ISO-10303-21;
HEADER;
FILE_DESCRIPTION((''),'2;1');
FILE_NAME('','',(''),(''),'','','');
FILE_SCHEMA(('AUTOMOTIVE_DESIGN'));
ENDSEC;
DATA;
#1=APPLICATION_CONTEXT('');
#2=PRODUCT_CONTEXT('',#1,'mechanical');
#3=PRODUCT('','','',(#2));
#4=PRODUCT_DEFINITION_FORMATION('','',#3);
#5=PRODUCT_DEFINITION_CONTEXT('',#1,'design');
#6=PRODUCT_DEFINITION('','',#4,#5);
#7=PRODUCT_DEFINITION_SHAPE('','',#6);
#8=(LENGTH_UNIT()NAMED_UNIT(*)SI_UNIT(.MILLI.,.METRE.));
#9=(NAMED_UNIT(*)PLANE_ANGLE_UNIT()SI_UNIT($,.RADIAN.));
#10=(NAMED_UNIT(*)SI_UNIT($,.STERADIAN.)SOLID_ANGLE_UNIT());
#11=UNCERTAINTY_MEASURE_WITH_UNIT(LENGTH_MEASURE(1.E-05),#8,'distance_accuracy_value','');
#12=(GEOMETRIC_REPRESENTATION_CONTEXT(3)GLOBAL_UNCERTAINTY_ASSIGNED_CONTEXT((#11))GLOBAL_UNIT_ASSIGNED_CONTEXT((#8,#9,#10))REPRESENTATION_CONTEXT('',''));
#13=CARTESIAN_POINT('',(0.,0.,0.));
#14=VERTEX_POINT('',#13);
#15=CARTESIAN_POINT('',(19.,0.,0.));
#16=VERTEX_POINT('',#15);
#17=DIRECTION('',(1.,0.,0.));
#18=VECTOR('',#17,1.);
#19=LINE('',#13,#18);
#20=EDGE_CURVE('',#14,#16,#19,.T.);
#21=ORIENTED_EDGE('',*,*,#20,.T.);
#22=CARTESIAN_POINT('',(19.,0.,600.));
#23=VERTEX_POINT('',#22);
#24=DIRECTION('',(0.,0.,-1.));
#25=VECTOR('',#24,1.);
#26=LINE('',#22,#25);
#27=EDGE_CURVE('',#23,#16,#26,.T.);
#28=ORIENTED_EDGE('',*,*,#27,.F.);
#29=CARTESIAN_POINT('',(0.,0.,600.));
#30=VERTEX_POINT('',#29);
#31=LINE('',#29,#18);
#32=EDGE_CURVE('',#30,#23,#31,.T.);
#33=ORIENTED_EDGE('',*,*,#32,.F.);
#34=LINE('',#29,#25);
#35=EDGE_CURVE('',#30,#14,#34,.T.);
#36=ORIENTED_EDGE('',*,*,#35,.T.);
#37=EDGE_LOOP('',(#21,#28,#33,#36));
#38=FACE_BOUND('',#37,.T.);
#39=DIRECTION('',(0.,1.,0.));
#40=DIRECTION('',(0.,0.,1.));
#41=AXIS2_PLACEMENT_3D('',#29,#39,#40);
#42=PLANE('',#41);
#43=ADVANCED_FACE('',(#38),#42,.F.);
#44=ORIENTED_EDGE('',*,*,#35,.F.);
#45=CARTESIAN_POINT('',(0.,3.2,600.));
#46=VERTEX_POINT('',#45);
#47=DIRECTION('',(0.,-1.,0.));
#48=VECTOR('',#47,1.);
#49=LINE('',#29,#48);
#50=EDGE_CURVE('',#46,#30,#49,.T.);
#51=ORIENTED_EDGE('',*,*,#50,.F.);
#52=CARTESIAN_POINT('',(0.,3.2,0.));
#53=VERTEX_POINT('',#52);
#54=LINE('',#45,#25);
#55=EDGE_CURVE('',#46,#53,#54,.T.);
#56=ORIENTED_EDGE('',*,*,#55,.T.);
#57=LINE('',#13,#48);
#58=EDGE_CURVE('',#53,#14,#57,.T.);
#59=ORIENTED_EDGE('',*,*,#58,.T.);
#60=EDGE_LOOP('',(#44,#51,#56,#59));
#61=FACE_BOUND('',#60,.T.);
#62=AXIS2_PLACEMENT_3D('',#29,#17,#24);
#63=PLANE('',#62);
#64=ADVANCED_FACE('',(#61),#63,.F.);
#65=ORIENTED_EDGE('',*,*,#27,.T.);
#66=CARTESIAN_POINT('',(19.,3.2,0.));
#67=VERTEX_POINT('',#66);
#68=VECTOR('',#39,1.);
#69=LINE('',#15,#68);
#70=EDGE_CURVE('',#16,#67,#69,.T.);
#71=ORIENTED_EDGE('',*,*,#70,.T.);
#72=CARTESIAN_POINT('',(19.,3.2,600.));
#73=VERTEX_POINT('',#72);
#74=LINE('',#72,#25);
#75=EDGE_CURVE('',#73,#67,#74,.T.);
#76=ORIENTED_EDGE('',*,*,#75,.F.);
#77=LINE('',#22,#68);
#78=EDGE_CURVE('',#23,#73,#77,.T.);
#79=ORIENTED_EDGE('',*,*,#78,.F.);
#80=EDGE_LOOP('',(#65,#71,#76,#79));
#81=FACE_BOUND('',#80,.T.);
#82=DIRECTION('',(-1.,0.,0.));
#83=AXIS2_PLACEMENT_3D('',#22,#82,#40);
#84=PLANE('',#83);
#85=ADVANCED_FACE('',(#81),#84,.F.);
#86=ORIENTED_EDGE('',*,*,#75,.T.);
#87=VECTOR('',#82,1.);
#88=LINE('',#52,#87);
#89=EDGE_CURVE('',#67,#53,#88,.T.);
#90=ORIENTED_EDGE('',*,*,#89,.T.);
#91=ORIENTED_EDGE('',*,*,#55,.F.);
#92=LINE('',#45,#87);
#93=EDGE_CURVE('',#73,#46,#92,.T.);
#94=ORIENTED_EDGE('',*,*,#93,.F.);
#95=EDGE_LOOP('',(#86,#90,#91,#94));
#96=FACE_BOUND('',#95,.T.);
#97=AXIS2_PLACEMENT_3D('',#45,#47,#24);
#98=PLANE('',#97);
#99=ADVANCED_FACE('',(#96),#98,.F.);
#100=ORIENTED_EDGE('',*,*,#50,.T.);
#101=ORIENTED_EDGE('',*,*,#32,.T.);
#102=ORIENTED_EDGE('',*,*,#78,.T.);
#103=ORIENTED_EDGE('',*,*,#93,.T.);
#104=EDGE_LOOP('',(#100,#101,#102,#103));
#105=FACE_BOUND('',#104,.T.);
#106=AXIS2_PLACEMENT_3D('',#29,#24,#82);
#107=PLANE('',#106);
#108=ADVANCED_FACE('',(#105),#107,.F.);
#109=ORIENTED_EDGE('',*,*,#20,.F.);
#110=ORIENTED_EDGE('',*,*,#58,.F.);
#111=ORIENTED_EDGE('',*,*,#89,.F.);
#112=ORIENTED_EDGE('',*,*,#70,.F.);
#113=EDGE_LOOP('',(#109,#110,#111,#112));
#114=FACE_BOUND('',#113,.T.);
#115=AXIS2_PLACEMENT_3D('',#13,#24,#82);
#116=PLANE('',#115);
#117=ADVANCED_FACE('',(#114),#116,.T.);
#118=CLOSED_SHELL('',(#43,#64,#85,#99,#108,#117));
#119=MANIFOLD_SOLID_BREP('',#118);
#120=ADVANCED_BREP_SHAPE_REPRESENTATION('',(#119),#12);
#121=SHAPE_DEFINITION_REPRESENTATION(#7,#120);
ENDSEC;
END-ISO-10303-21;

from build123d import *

# Parameters (mm, degrees)
SKETCH_1_W      = 19
SKETCH_1_H      = 3.2
EXTRUDE_1_DEPTH = 600


with BuildPart() as part:
    # 스케치1 → 보스-돌출1 (new body)
    with BuildSketch(Plane.XY):
        with Locations((9.5, 1.6)):
            Rectangle(SKETCH_1_W, SKETCH_1_H)
    extrude(amount=EXTRUDE_1_DEPTH)


solid = part.part
